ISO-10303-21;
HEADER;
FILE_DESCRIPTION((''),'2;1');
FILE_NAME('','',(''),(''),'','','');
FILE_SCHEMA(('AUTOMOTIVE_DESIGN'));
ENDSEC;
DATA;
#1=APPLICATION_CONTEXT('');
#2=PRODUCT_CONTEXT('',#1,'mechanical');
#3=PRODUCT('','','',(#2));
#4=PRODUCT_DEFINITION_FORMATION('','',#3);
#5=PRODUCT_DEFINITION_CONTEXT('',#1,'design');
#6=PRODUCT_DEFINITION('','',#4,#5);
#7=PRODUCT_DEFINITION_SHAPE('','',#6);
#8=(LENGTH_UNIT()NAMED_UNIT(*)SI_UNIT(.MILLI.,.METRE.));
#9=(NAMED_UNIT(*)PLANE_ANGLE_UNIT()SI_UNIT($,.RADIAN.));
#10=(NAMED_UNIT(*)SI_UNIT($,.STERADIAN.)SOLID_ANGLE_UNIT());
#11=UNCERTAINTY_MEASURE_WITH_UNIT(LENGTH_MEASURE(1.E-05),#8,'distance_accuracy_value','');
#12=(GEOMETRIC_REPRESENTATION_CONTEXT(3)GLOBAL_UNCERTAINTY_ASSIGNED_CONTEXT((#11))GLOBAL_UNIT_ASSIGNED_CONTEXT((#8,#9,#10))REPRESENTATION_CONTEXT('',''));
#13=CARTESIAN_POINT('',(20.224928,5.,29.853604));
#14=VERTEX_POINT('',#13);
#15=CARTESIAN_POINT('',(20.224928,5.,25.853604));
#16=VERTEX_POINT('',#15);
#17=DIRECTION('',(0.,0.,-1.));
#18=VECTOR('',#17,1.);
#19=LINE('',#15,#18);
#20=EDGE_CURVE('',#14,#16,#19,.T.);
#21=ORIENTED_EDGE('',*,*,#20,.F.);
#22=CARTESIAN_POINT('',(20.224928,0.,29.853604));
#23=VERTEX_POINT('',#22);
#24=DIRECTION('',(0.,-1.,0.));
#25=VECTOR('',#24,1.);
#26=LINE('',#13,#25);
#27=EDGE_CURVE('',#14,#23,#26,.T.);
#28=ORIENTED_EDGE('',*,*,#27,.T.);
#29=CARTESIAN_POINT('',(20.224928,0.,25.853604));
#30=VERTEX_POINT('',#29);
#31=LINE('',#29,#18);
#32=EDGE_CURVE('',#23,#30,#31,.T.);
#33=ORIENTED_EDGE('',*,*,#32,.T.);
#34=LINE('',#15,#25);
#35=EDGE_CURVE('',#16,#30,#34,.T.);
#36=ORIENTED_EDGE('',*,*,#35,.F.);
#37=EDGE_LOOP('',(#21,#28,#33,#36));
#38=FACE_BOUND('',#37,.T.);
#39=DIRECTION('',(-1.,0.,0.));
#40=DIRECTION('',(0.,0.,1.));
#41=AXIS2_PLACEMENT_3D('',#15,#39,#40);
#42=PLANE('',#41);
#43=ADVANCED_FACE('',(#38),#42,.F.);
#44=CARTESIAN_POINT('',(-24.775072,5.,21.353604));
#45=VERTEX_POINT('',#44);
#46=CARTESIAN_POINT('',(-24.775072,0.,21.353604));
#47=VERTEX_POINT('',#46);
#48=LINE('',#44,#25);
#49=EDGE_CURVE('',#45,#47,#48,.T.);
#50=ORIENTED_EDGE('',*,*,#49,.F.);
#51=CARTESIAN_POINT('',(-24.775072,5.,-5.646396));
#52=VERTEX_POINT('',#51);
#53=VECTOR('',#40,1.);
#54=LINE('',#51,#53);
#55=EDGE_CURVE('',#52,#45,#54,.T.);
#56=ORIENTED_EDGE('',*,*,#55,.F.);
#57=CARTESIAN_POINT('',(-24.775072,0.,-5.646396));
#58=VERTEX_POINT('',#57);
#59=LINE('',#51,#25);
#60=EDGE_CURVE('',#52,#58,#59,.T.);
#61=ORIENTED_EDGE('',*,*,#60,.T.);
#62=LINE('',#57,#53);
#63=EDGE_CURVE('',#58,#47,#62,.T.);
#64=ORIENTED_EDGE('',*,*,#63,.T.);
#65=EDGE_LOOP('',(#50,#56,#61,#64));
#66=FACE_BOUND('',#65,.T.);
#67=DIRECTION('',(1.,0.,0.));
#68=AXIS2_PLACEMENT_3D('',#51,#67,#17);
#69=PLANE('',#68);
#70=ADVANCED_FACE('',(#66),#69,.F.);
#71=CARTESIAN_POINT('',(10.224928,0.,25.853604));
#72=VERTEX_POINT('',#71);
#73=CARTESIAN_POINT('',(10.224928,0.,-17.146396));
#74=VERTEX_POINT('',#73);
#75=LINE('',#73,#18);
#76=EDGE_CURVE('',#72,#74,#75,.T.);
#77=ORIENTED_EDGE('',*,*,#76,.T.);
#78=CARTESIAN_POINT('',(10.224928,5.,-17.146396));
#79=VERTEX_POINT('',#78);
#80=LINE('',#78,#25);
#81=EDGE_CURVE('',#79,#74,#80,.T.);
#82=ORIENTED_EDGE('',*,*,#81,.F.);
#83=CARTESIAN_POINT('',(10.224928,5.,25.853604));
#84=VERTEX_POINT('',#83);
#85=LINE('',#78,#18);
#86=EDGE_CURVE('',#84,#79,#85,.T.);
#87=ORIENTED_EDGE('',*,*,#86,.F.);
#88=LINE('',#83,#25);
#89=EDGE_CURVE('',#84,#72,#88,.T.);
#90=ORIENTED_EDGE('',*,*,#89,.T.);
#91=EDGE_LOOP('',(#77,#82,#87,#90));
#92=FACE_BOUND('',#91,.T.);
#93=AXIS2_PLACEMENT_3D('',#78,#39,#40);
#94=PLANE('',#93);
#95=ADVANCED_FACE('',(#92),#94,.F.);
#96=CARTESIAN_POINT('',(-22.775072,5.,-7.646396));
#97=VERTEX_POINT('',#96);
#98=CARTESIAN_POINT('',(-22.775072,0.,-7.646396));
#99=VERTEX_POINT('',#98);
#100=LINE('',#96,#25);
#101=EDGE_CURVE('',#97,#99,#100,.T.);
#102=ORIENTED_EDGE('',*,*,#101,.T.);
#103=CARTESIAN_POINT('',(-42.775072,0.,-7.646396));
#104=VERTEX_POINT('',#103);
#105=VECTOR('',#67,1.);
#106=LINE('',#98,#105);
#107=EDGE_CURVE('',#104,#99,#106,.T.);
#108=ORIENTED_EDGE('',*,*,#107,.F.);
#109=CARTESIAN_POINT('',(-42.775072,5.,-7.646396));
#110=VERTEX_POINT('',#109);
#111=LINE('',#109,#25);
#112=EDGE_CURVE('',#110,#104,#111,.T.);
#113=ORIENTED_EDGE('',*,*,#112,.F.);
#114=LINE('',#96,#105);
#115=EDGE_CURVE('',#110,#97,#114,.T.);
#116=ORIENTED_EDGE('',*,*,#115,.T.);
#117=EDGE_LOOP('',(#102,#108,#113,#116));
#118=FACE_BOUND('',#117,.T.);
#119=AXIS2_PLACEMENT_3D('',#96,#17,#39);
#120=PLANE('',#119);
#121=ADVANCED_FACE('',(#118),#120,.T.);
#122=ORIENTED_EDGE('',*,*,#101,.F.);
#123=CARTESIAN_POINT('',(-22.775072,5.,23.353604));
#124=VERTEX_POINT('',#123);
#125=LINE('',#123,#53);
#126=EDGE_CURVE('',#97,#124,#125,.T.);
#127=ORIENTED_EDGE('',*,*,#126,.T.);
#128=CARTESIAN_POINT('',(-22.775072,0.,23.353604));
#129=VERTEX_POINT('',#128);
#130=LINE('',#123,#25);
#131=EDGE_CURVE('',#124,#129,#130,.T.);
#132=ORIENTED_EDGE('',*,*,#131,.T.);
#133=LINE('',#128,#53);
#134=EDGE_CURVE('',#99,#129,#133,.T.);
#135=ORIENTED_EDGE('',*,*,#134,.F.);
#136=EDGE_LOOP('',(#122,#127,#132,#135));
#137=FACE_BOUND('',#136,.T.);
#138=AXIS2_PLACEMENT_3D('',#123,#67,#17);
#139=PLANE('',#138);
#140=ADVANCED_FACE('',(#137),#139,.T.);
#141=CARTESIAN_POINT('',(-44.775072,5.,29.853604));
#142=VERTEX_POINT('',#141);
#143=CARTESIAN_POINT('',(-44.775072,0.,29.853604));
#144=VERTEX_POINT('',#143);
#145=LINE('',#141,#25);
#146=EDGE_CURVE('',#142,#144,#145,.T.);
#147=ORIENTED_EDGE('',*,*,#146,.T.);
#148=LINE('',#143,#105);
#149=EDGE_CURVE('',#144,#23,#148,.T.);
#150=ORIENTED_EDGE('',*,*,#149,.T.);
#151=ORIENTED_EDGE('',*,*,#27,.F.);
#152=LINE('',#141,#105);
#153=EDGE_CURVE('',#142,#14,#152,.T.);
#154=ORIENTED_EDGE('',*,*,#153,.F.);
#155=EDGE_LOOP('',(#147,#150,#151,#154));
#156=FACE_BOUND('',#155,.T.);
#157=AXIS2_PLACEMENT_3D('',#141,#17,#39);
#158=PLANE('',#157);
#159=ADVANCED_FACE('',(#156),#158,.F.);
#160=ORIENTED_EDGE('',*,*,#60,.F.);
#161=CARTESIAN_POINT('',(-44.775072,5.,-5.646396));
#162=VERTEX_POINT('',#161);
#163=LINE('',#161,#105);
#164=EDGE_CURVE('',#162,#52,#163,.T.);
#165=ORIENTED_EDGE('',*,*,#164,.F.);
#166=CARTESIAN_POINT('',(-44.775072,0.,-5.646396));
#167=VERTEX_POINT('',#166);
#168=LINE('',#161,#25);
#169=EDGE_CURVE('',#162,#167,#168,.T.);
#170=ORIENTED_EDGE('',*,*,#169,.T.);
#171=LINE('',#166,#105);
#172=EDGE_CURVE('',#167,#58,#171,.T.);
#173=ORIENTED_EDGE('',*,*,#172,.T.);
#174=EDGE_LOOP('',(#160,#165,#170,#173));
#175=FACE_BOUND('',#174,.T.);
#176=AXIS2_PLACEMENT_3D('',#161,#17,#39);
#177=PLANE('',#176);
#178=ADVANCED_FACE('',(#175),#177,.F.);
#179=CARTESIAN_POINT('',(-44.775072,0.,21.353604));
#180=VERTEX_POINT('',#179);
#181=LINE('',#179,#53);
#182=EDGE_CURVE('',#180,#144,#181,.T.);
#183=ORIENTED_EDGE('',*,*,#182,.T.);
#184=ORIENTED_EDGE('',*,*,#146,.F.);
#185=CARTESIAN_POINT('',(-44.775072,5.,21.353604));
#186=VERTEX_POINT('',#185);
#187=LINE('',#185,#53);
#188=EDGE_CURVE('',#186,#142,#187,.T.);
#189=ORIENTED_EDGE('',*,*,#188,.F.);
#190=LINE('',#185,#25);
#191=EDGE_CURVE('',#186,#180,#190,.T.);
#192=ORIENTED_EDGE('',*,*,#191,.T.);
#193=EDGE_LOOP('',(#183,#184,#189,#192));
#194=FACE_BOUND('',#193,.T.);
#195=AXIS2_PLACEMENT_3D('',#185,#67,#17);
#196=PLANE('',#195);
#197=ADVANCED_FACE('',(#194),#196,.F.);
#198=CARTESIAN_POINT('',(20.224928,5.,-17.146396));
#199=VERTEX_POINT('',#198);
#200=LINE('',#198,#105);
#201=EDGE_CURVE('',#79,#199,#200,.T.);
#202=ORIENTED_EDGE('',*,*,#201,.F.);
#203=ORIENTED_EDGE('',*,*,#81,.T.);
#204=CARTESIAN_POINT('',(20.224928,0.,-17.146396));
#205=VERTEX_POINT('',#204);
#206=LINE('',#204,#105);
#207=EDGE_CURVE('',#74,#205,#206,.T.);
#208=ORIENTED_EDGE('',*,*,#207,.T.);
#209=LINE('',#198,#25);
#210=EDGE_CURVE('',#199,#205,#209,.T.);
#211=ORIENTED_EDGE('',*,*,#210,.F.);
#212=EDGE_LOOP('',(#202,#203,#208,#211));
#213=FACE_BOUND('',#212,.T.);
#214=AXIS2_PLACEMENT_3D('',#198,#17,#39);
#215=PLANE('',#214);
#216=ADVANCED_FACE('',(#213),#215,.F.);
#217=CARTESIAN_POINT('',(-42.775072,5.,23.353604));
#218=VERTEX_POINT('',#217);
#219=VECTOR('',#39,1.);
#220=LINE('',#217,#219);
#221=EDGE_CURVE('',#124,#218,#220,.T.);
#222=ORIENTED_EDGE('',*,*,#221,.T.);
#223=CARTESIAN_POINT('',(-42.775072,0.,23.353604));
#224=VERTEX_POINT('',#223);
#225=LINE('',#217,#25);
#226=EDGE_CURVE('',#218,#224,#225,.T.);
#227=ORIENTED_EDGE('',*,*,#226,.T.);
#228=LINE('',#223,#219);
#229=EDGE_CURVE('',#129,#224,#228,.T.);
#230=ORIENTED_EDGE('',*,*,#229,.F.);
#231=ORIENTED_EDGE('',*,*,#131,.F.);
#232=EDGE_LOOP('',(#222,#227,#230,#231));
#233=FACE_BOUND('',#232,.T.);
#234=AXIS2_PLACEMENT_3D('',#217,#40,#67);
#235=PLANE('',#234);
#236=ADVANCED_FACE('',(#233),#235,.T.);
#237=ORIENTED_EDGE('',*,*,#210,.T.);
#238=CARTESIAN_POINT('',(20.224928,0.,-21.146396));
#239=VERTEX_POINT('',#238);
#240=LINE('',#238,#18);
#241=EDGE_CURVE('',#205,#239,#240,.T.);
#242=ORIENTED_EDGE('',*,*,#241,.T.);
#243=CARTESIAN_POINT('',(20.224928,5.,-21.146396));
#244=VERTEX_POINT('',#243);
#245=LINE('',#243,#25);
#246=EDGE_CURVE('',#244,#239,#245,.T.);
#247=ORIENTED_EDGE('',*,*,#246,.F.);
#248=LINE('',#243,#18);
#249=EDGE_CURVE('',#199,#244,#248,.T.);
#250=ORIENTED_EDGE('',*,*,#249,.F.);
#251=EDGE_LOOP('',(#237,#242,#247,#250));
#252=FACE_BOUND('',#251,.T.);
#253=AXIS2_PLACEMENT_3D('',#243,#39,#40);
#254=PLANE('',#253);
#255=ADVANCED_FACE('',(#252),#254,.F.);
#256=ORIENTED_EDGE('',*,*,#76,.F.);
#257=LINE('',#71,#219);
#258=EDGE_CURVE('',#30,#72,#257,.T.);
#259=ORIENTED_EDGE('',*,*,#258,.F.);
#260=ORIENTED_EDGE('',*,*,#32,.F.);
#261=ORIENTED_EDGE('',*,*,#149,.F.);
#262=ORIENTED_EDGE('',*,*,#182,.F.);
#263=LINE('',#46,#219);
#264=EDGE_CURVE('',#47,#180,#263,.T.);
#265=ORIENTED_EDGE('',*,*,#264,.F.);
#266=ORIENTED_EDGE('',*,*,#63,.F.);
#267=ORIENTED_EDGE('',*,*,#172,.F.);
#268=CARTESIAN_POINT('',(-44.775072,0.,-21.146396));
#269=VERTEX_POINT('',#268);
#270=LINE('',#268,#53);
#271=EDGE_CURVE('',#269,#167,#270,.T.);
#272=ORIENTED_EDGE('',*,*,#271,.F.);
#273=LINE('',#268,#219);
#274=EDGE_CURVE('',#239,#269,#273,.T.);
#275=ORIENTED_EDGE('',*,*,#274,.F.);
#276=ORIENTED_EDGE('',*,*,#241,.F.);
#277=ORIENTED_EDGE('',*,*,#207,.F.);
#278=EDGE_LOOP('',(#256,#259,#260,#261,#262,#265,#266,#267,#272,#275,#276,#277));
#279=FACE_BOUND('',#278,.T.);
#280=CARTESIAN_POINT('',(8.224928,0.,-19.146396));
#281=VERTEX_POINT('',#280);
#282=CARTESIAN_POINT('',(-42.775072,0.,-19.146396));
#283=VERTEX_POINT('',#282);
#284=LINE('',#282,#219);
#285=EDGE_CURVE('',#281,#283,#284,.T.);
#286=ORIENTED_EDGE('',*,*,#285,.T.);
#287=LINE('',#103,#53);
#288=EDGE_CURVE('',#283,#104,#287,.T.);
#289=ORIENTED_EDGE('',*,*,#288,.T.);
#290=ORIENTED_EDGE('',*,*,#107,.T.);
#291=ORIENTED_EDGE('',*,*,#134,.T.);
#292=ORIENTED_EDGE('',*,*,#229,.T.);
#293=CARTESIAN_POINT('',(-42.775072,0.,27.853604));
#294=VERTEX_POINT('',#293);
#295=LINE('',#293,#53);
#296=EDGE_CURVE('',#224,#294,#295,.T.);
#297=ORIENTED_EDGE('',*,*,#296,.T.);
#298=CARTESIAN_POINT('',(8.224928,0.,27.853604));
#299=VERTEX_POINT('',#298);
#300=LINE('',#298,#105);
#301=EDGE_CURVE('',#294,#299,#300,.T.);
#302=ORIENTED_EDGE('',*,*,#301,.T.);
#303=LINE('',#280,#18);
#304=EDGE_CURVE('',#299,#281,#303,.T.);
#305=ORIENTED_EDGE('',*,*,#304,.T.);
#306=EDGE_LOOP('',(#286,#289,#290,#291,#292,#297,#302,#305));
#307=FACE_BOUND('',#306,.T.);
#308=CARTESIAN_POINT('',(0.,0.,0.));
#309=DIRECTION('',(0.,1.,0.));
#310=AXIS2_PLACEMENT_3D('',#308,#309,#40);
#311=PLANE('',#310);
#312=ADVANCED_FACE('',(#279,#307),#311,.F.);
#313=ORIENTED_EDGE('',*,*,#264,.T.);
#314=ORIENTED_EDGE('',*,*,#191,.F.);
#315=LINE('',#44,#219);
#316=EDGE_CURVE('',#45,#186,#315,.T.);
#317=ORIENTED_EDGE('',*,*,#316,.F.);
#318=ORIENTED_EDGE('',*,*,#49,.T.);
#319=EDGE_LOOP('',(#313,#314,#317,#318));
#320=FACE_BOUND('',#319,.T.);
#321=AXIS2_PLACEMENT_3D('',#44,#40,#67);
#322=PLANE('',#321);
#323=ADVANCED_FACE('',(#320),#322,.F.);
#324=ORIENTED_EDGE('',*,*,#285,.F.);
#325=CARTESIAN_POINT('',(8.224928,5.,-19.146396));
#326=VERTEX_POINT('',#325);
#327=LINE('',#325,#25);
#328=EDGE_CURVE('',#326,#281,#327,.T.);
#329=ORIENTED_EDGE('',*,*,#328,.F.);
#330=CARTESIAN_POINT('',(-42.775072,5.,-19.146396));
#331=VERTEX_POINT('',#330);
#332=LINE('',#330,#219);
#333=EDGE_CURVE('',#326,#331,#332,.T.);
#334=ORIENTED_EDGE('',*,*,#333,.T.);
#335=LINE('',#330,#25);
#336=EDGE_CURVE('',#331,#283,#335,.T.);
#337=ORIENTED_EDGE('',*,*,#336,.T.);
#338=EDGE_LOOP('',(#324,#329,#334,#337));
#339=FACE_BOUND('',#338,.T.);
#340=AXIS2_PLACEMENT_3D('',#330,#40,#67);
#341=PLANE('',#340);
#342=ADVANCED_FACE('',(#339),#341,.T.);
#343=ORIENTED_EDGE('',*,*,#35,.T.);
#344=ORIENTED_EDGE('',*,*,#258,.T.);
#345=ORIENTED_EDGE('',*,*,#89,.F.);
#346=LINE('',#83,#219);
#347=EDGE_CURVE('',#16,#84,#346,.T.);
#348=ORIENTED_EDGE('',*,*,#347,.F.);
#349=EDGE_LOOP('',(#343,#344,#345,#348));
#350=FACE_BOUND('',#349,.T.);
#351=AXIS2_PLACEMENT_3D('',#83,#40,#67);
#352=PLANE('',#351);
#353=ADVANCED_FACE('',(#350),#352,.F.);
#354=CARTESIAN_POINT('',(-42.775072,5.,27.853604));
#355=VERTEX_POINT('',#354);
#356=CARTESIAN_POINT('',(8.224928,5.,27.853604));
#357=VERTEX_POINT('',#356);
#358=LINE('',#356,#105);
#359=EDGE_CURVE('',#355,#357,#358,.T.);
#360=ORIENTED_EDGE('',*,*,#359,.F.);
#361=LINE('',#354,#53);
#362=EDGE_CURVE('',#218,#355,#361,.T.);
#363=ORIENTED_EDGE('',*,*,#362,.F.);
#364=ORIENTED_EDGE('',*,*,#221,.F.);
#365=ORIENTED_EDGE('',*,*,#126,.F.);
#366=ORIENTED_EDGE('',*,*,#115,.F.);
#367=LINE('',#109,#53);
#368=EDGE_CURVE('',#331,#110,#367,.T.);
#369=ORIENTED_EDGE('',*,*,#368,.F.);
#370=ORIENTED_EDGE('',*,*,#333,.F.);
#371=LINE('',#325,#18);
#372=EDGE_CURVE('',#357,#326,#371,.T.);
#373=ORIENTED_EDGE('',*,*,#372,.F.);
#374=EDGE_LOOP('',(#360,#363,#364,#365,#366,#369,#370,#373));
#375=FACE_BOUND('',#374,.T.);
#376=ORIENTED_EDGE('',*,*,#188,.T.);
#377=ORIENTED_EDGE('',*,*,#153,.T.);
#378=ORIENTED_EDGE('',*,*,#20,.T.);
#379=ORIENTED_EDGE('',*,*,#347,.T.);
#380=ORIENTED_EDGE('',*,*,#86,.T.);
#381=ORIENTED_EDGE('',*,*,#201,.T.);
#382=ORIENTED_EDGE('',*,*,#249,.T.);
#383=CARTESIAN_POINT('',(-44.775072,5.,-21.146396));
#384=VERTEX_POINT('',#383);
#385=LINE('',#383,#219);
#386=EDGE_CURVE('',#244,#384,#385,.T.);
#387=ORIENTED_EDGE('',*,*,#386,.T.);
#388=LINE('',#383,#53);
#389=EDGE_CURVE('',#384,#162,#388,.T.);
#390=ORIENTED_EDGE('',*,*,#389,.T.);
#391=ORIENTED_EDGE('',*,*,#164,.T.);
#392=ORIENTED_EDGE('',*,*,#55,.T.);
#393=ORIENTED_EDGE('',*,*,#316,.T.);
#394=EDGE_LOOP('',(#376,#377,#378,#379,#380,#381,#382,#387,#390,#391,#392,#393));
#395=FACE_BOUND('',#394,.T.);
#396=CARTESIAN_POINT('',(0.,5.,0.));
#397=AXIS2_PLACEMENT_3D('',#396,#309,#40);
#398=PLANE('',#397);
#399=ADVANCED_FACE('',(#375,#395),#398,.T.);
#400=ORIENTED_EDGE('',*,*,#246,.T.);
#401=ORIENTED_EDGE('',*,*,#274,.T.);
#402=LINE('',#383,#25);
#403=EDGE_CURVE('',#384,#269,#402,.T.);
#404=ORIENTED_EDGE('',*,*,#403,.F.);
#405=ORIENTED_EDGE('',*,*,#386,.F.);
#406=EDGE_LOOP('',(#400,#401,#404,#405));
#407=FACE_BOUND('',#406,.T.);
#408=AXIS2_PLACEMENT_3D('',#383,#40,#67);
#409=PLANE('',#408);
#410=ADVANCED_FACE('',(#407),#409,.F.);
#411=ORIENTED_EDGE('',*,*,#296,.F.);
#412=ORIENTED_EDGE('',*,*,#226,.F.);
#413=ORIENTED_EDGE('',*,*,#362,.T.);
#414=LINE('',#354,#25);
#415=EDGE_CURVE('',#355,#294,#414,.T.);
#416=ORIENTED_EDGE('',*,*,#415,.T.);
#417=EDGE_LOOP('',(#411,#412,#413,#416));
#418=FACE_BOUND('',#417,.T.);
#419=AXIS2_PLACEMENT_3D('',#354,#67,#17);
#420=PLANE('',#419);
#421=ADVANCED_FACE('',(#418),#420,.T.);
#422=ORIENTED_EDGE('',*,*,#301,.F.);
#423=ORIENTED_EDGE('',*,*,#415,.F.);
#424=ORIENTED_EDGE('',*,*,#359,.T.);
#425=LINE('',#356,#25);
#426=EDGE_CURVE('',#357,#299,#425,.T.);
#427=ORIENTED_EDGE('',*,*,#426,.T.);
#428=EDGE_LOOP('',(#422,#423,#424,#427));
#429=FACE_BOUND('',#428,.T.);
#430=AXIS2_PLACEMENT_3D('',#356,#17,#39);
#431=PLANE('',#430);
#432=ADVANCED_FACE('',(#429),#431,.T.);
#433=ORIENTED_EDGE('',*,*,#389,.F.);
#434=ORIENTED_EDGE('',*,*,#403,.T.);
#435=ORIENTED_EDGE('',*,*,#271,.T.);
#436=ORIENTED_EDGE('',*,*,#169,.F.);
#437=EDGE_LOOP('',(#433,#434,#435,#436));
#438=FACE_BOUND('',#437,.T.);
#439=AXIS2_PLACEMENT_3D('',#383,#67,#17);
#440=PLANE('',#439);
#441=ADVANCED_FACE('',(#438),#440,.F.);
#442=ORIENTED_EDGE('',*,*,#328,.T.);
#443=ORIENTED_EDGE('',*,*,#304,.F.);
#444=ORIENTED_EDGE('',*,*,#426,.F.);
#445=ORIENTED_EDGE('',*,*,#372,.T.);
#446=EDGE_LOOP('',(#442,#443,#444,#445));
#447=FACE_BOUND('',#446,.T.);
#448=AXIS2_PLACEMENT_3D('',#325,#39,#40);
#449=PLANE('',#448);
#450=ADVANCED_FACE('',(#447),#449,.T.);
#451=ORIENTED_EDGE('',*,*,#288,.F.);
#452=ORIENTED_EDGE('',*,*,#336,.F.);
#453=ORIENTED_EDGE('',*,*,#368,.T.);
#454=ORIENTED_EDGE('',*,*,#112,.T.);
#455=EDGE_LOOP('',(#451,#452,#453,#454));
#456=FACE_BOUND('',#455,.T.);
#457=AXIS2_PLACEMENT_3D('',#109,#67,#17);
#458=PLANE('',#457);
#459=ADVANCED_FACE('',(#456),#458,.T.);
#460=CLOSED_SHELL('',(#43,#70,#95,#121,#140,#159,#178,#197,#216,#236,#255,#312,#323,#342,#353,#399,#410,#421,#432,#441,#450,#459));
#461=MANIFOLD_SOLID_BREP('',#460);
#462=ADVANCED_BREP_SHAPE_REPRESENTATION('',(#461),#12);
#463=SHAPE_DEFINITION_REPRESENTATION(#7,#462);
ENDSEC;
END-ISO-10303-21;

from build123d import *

# Parameters (mm, degrees)
EXTRUDE_4_DEPTH = 5


with BuildPart() as part:
    # 草图1 → 凸台-拉伸4 (new body)
    with BuildSketch(Plane(origin=(0, 0, 0), x_dir=(1, 0, 0), z_dir=(0, 1, 0))):
        Polygon((-44.775072214, 5.646396396), (-24.775072214, 5.646396396), (-24.775072214, -21.353603604), (-44.775072214, -21.353603604), (-44.775072214, -29.853603604), (20.224927786, -29.853603604), (20.224927786, -25.853603604), (10.224927786, -25.853603604), (10.224927786, 17.146396396), (20.224927786, 17.146396396), (20.224927786, 21.146396396), (-44.775072214, 21.146396396), align=None)
        Polygon((-42.775072214, 19.146396396), (8.224927786, 19.146396396), (8.224927786, -27.853603604), (-42.775072214, -27.853603604), (-42.775072214, -23.353603604), (-22.775072214, -23.353603604), (-22.775072214, 7.646396396), (-42.775072214, 7.646396396), align=None, mode=Mode.SUBTRACT)
    extrude(amount=EXTRUDE_4_DEPTH)


solid = part.part
